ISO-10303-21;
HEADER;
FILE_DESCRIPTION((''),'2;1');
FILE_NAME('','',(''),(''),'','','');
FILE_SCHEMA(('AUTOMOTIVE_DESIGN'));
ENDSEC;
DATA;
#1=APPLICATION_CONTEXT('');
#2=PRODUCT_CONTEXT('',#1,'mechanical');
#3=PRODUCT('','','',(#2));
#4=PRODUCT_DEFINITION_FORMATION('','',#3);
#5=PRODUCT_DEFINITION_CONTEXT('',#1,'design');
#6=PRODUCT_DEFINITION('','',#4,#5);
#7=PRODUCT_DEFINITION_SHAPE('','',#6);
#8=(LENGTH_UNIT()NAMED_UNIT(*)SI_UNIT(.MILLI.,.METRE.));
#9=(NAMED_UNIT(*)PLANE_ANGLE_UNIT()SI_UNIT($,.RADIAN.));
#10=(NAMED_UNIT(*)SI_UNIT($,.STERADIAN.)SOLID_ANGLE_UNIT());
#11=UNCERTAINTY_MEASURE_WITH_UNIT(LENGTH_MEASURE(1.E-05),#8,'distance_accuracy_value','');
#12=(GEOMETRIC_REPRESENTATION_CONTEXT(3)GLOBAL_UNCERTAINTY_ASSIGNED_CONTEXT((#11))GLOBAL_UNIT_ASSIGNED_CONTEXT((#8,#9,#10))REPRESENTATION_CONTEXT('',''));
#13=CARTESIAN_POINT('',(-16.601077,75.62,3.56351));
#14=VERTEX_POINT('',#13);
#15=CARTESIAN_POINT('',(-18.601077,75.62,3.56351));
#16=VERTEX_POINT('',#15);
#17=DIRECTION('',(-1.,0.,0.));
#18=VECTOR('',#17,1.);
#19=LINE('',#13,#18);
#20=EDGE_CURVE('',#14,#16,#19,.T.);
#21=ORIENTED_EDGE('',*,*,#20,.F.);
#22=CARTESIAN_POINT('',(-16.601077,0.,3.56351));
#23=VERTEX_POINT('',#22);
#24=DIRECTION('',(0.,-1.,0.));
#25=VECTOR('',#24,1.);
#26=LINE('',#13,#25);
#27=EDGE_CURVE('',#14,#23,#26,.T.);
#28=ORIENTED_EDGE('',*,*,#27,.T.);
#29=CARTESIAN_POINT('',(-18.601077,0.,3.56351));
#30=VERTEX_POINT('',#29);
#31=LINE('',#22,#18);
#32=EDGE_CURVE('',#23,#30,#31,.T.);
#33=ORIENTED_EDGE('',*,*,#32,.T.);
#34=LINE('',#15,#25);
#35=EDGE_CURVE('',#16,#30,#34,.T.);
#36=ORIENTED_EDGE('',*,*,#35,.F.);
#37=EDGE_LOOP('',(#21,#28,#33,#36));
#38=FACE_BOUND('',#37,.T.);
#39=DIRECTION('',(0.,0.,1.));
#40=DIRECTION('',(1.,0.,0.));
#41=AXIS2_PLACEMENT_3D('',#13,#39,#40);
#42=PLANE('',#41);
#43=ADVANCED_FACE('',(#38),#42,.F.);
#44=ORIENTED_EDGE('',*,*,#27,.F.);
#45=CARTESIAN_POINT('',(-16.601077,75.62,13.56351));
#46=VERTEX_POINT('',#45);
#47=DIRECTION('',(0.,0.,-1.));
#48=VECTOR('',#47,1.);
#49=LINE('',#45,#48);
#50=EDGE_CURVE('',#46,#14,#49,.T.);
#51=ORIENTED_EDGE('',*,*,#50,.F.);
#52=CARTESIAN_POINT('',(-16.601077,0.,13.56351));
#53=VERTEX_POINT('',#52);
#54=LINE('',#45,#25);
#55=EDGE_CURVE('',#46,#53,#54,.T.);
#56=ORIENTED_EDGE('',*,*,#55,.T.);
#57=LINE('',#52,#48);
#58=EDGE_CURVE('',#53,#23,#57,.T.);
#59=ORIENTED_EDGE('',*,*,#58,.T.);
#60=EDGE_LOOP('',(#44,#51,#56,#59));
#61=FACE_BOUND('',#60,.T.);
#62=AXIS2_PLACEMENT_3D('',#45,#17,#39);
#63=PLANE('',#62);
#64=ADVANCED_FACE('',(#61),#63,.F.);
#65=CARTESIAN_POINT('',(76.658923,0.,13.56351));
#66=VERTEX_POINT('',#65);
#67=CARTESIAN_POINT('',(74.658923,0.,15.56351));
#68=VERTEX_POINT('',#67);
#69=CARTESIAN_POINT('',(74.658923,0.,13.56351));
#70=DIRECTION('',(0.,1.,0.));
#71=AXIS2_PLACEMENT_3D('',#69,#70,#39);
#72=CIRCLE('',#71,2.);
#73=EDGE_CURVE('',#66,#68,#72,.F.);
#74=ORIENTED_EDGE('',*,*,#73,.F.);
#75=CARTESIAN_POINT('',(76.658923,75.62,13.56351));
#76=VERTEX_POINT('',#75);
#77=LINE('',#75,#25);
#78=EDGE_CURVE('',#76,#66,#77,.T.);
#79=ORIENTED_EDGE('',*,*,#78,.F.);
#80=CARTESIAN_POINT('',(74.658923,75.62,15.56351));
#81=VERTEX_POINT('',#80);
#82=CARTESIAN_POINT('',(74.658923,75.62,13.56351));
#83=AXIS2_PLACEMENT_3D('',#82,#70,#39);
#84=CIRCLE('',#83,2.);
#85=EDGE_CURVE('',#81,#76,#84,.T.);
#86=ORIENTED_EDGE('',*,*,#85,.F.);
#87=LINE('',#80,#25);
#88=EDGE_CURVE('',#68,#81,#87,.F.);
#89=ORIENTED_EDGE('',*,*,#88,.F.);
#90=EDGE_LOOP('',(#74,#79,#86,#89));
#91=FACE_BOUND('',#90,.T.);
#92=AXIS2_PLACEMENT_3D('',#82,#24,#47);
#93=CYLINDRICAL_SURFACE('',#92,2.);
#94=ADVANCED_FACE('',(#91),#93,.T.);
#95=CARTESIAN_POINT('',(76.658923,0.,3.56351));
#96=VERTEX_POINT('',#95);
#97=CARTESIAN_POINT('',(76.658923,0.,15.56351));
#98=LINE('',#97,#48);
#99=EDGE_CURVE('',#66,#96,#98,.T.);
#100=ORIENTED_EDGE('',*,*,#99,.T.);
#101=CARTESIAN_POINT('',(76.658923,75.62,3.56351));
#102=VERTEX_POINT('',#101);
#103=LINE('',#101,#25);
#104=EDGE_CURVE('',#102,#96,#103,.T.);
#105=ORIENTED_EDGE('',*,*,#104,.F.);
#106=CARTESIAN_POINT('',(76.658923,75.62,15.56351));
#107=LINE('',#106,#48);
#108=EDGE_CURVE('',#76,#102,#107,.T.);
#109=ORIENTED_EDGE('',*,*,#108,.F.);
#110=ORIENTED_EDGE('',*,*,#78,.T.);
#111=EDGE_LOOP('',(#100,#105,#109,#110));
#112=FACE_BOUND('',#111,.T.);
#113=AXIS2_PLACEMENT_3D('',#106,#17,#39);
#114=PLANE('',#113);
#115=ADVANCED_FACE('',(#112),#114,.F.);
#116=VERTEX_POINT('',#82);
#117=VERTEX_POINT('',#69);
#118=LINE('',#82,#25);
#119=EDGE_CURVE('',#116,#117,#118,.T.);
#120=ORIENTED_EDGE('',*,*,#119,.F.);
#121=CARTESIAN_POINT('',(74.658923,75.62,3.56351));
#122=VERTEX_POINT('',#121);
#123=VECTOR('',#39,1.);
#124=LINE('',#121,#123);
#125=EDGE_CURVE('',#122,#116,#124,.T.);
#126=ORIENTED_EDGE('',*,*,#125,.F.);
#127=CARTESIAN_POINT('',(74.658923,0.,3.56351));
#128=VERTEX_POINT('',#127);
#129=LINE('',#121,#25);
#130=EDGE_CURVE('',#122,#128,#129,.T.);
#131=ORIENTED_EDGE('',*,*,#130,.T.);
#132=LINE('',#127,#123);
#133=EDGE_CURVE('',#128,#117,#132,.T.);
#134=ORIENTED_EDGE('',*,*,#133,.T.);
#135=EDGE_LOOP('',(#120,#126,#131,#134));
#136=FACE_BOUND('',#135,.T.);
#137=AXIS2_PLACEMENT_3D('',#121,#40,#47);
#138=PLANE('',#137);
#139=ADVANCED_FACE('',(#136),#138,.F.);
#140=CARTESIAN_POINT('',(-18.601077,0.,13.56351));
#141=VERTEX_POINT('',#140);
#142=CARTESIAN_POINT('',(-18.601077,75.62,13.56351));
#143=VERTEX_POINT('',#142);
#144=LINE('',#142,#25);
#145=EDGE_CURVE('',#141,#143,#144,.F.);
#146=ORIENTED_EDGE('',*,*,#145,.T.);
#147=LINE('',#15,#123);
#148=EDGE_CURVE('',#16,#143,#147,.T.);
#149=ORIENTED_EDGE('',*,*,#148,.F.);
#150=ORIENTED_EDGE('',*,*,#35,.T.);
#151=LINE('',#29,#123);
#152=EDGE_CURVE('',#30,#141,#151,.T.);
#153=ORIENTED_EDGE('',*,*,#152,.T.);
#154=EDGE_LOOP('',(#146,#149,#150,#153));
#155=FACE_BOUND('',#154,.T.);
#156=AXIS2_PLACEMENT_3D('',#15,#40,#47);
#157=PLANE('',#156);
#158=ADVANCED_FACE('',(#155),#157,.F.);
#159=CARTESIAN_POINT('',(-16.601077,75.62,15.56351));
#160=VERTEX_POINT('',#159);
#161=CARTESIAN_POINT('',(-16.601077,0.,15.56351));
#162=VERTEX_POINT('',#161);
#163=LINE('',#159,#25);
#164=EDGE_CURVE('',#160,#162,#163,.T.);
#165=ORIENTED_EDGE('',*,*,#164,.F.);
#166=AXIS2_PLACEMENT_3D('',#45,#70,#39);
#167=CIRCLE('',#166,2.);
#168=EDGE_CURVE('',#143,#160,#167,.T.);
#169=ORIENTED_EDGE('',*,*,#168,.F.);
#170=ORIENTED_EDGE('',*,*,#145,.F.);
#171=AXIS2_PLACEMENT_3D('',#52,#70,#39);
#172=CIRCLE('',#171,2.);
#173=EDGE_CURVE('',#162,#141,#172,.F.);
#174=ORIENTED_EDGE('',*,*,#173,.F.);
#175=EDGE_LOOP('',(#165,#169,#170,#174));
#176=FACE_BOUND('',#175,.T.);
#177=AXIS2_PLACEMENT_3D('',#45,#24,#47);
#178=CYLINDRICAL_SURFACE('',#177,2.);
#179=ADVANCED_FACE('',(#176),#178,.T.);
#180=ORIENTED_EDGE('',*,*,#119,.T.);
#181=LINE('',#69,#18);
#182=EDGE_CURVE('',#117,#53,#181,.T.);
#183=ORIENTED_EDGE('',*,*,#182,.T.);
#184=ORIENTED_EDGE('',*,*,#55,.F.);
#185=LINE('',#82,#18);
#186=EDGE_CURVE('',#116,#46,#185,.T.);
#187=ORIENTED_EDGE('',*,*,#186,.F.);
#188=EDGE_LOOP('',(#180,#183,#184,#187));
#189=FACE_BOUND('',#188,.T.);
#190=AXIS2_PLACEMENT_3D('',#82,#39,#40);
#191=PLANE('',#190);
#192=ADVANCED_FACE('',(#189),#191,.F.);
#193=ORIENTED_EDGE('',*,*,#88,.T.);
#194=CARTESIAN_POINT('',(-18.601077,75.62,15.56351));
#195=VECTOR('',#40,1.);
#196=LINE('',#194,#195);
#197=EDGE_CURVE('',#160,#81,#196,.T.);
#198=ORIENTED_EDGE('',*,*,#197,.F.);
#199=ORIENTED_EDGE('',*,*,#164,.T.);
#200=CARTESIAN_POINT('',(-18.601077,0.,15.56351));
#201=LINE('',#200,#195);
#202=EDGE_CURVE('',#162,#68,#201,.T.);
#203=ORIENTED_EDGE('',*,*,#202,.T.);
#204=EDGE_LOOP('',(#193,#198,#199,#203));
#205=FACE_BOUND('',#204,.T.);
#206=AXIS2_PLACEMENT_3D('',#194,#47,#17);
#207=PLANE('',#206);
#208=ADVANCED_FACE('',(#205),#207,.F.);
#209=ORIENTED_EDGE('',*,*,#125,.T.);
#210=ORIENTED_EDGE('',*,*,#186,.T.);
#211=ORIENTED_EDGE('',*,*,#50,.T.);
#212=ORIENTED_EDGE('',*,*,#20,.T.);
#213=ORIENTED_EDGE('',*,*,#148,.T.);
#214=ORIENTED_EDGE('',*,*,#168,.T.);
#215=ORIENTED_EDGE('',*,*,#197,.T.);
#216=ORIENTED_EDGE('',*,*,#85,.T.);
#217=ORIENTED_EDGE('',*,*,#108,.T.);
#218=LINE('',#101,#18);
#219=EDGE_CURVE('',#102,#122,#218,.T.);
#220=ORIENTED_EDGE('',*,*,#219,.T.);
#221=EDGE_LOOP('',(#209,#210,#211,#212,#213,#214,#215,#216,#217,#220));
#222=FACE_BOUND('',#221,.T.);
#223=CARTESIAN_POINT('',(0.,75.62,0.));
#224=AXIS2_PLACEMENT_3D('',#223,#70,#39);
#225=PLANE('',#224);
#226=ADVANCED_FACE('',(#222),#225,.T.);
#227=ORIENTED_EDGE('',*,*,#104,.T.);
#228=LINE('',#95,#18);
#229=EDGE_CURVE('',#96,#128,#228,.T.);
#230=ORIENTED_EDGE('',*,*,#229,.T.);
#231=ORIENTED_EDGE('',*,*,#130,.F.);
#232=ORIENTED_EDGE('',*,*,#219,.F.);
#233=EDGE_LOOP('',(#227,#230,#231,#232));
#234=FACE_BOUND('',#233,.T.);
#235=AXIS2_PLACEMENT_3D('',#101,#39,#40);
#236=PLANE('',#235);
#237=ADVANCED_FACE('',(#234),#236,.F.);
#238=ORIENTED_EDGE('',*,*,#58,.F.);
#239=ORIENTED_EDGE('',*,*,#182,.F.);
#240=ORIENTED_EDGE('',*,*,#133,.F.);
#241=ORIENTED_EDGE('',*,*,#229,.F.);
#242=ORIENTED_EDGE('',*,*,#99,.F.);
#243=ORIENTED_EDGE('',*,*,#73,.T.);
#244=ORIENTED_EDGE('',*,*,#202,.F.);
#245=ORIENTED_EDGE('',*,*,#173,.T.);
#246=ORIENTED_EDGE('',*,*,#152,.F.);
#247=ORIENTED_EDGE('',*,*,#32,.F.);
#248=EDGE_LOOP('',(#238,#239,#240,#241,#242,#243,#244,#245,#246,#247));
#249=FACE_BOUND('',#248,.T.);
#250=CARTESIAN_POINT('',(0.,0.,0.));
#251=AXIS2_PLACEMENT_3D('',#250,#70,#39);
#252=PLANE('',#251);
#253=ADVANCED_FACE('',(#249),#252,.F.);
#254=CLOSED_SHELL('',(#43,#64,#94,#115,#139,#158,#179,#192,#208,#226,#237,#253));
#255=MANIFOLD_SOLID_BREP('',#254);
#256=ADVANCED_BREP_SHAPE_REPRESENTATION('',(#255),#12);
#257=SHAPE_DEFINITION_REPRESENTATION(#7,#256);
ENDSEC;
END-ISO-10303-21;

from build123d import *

# Parameters (mm, degrees)
BOSS_EXTRUDE1_DEPTH = 75.62
FILLET1_R           = 2


with BuildPart() as part:
    # Sketch1 → Boss-Extrude1 (new body)
    with BuildSketch(Plane(origin=(0, 0, 0), x_dir=(1, 0, 0), z_dir=(0, 1, 0))):
        Polygon((-18.601077114, -3.563509794), (-18.601077114, -15.563509794), (76.658922886, -15.563509794), (76.658922886, -3.563509794), (74.658922886, -3.563509794), (74.658922886, -13.563509794), (-16.601077114, -13.563509794), (-16.601077114, -3.563509794), align=None)
    extrude(amount=BOSS_EXTRUDE1_DEPTH)

    # Fillet1
    fillet1_edges = [part.edges().sort_by_distance(p)[0] for p in [
        (76.658922886, 37.81, 15.563509794),
        (-18.601077114, 37.81, 15.563509794),
    ]]
    fillet(fillet1_edges, radius=FILLET1_R)


solid = part.part
